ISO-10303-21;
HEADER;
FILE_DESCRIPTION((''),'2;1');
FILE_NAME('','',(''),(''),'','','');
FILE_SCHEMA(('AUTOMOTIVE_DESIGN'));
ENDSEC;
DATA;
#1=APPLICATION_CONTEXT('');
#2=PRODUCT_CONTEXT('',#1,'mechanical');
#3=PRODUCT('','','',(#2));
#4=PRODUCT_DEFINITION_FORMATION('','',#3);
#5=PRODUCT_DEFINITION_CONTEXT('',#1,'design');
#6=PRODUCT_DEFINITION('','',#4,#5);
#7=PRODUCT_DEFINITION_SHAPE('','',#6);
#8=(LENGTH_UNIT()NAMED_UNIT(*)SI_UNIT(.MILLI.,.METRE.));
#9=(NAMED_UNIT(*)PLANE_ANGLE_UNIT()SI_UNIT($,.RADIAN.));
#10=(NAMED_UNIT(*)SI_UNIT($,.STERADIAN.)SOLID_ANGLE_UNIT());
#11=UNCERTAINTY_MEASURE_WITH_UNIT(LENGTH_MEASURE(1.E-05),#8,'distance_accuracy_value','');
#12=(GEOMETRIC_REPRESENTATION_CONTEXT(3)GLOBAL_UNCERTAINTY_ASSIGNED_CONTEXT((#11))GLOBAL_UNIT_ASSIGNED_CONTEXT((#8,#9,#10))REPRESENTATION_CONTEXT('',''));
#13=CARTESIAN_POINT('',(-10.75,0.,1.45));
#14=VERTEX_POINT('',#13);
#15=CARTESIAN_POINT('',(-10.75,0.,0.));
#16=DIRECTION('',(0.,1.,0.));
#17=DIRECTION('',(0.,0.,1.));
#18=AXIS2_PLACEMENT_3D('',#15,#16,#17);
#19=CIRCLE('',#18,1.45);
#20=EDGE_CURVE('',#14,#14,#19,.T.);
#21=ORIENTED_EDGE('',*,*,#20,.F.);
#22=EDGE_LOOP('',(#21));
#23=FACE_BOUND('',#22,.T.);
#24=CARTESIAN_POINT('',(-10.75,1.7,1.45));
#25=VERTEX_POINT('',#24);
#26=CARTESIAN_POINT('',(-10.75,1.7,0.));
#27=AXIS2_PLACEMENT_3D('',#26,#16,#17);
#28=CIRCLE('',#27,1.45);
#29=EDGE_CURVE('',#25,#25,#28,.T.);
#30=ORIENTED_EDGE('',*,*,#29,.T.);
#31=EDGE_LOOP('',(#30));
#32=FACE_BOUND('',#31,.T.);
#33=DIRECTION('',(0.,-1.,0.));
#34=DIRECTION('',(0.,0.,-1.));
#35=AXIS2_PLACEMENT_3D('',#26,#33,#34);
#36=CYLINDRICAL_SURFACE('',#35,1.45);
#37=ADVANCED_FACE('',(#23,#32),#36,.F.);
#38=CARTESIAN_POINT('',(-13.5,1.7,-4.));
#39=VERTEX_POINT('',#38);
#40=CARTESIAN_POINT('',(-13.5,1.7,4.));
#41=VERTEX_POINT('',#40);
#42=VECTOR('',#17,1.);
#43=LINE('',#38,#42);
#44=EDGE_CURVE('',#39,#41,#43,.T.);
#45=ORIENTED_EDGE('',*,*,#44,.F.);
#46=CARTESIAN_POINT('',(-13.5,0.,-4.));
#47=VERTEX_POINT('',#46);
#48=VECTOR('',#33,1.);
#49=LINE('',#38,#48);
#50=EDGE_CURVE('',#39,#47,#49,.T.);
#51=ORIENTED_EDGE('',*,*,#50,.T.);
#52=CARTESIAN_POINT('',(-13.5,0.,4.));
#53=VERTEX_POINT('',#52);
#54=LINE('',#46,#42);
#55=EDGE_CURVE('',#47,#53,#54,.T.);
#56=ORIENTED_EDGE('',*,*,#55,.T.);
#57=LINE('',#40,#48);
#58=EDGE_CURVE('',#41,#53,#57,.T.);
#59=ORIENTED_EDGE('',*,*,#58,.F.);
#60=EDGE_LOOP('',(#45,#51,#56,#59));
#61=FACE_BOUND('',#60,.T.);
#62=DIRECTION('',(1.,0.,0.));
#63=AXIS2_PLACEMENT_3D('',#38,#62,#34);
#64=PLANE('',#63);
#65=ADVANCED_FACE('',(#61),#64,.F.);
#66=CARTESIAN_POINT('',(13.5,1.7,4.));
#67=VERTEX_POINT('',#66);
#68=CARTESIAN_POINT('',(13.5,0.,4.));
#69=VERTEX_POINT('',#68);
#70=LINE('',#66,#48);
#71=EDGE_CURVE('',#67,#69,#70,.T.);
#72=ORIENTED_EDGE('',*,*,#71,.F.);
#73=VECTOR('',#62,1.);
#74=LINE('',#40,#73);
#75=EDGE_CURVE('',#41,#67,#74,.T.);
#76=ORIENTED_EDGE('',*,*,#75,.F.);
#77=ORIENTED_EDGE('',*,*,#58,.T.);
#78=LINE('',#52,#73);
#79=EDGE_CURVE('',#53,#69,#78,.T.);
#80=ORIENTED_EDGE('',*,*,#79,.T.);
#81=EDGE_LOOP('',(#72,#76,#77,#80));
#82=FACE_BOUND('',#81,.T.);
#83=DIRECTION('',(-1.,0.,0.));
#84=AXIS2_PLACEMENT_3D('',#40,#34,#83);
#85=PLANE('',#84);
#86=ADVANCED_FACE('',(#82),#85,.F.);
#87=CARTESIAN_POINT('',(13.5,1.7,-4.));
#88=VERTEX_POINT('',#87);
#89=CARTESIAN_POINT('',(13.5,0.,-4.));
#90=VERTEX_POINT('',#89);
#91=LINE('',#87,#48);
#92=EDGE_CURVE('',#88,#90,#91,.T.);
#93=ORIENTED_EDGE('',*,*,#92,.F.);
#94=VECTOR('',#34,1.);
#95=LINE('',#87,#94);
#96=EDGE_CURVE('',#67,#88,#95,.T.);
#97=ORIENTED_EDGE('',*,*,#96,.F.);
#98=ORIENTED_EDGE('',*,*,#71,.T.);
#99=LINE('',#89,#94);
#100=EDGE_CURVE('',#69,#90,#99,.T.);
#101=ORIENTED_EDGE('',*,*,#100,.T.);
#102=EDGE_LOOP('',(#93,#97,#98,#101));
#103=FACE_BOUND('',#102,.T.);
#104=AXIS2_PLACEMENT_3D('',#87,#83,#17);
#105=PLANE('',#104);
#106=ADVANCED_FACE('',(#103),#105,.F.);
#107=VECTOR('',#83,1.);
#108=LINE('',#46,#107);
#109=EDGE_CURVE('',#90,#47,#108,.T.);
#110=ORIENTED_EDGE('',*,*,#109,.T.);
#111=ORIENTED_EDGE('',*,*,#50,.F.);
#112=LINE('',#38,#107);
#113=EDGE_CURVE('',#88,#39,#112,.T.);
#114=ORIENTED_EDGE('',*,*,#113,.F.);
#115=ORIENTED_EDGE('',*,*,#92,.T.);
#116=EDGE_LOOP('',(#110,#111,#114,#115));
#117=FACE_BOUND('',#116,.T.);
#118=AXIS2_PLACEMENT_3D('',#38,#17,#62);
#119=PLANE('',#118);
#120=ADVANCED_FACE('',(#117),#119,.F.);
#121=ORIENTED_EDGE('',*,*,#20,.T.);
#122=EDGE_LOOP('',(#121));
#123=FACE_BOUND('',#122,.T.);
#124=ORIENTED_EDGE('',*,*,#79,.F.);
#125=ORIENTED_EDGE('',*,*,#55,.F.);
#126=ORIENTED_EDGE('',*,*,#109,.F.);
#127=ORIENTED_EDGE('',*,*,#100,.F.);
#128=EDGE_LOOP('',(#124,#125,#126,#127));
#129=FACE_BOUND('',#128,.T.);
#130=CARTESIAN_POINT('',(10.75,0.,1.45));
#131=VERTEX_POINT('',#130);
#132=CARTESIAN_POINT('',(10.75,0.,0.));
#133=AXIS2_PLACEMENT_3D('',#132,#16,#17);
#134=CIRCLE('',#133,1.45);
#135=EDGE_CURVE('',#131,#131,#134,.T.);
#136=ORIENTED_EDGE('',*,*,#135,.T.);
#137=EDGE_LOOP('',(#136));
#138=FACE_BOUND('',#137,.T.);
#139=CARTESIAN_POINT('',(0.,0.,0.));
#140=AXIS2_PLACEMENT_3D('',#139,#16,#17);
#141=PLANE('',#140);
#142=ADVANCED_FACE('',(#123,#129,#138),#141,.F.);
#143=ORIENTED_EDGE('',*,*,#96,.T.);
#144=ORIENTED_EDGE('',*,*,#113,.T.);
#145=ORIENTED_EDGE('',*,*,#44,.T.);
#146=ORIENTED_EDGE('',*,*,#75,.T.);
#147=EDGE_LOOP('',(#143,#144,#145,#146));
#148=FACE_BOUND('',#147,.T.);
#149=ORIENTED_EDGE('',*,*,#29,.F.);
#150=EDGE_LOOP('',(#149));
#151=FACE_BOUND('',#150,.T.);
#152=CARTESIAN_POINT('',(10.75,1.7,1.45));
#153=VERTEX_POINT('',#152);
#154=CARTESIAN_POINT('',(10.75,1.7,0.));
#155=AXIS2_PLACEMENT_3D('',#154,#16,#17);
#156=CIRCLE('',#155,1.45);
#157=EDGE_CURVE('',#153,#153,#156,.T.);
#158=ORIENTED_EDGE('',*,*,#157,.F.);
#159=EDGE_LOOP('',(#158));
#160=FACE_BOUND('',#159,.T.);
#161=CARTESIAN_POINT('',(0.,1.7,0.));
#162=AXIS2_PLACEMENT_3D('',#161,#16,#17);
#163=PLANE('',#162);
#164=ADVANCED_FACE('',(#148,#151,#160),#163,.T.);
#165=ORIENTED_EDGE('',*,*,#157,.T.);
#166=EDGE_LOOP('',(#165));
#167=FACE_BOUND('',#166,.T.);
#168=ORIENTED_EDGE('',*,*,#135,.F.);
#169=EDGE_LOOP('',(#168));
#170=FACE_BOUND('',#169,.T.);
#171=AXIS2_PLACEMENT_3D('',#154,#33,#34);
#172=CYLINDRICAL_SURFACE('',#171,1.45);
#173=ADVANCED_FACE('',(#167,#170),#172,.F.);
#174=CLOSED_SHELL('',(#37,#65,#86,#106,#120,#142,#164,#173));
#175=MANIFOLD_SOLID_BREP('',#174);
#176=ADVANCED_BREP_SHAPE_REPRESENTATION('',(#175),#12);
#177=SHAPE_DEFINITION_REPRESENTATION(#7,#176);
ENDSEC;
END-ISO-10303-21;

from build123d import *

# Parameters (mm, degrees)
SKETCH1_W           = 27
SKETCH1_H           = 8
SKETCH1_R           = 1.45
BOSS_EXTRUDE1_DEPTH = 1.7


with BuildPart() as part:
    # Sketch1 → Boss-Extrude1 (new body)
    with BuildSketch(Plane(origin=(0, 0, 0), x_dir=(1, 0, 0), z_dir=(0, 1, 0))):
        Rectangle(SKETCH1_W, SKETCH1_H)
        with Locations((-10.75, 0)):
            Circle(SKETCH1_R, mode=Mode.SUBTRACT)
        with Locations((10.75, 0)):
            Circle(SKETCH1_R, mode=Mode.SUBTRACT)
    extrude(amount=BOSS_EXTRUDE1_DEPTH)


solid = part.part
